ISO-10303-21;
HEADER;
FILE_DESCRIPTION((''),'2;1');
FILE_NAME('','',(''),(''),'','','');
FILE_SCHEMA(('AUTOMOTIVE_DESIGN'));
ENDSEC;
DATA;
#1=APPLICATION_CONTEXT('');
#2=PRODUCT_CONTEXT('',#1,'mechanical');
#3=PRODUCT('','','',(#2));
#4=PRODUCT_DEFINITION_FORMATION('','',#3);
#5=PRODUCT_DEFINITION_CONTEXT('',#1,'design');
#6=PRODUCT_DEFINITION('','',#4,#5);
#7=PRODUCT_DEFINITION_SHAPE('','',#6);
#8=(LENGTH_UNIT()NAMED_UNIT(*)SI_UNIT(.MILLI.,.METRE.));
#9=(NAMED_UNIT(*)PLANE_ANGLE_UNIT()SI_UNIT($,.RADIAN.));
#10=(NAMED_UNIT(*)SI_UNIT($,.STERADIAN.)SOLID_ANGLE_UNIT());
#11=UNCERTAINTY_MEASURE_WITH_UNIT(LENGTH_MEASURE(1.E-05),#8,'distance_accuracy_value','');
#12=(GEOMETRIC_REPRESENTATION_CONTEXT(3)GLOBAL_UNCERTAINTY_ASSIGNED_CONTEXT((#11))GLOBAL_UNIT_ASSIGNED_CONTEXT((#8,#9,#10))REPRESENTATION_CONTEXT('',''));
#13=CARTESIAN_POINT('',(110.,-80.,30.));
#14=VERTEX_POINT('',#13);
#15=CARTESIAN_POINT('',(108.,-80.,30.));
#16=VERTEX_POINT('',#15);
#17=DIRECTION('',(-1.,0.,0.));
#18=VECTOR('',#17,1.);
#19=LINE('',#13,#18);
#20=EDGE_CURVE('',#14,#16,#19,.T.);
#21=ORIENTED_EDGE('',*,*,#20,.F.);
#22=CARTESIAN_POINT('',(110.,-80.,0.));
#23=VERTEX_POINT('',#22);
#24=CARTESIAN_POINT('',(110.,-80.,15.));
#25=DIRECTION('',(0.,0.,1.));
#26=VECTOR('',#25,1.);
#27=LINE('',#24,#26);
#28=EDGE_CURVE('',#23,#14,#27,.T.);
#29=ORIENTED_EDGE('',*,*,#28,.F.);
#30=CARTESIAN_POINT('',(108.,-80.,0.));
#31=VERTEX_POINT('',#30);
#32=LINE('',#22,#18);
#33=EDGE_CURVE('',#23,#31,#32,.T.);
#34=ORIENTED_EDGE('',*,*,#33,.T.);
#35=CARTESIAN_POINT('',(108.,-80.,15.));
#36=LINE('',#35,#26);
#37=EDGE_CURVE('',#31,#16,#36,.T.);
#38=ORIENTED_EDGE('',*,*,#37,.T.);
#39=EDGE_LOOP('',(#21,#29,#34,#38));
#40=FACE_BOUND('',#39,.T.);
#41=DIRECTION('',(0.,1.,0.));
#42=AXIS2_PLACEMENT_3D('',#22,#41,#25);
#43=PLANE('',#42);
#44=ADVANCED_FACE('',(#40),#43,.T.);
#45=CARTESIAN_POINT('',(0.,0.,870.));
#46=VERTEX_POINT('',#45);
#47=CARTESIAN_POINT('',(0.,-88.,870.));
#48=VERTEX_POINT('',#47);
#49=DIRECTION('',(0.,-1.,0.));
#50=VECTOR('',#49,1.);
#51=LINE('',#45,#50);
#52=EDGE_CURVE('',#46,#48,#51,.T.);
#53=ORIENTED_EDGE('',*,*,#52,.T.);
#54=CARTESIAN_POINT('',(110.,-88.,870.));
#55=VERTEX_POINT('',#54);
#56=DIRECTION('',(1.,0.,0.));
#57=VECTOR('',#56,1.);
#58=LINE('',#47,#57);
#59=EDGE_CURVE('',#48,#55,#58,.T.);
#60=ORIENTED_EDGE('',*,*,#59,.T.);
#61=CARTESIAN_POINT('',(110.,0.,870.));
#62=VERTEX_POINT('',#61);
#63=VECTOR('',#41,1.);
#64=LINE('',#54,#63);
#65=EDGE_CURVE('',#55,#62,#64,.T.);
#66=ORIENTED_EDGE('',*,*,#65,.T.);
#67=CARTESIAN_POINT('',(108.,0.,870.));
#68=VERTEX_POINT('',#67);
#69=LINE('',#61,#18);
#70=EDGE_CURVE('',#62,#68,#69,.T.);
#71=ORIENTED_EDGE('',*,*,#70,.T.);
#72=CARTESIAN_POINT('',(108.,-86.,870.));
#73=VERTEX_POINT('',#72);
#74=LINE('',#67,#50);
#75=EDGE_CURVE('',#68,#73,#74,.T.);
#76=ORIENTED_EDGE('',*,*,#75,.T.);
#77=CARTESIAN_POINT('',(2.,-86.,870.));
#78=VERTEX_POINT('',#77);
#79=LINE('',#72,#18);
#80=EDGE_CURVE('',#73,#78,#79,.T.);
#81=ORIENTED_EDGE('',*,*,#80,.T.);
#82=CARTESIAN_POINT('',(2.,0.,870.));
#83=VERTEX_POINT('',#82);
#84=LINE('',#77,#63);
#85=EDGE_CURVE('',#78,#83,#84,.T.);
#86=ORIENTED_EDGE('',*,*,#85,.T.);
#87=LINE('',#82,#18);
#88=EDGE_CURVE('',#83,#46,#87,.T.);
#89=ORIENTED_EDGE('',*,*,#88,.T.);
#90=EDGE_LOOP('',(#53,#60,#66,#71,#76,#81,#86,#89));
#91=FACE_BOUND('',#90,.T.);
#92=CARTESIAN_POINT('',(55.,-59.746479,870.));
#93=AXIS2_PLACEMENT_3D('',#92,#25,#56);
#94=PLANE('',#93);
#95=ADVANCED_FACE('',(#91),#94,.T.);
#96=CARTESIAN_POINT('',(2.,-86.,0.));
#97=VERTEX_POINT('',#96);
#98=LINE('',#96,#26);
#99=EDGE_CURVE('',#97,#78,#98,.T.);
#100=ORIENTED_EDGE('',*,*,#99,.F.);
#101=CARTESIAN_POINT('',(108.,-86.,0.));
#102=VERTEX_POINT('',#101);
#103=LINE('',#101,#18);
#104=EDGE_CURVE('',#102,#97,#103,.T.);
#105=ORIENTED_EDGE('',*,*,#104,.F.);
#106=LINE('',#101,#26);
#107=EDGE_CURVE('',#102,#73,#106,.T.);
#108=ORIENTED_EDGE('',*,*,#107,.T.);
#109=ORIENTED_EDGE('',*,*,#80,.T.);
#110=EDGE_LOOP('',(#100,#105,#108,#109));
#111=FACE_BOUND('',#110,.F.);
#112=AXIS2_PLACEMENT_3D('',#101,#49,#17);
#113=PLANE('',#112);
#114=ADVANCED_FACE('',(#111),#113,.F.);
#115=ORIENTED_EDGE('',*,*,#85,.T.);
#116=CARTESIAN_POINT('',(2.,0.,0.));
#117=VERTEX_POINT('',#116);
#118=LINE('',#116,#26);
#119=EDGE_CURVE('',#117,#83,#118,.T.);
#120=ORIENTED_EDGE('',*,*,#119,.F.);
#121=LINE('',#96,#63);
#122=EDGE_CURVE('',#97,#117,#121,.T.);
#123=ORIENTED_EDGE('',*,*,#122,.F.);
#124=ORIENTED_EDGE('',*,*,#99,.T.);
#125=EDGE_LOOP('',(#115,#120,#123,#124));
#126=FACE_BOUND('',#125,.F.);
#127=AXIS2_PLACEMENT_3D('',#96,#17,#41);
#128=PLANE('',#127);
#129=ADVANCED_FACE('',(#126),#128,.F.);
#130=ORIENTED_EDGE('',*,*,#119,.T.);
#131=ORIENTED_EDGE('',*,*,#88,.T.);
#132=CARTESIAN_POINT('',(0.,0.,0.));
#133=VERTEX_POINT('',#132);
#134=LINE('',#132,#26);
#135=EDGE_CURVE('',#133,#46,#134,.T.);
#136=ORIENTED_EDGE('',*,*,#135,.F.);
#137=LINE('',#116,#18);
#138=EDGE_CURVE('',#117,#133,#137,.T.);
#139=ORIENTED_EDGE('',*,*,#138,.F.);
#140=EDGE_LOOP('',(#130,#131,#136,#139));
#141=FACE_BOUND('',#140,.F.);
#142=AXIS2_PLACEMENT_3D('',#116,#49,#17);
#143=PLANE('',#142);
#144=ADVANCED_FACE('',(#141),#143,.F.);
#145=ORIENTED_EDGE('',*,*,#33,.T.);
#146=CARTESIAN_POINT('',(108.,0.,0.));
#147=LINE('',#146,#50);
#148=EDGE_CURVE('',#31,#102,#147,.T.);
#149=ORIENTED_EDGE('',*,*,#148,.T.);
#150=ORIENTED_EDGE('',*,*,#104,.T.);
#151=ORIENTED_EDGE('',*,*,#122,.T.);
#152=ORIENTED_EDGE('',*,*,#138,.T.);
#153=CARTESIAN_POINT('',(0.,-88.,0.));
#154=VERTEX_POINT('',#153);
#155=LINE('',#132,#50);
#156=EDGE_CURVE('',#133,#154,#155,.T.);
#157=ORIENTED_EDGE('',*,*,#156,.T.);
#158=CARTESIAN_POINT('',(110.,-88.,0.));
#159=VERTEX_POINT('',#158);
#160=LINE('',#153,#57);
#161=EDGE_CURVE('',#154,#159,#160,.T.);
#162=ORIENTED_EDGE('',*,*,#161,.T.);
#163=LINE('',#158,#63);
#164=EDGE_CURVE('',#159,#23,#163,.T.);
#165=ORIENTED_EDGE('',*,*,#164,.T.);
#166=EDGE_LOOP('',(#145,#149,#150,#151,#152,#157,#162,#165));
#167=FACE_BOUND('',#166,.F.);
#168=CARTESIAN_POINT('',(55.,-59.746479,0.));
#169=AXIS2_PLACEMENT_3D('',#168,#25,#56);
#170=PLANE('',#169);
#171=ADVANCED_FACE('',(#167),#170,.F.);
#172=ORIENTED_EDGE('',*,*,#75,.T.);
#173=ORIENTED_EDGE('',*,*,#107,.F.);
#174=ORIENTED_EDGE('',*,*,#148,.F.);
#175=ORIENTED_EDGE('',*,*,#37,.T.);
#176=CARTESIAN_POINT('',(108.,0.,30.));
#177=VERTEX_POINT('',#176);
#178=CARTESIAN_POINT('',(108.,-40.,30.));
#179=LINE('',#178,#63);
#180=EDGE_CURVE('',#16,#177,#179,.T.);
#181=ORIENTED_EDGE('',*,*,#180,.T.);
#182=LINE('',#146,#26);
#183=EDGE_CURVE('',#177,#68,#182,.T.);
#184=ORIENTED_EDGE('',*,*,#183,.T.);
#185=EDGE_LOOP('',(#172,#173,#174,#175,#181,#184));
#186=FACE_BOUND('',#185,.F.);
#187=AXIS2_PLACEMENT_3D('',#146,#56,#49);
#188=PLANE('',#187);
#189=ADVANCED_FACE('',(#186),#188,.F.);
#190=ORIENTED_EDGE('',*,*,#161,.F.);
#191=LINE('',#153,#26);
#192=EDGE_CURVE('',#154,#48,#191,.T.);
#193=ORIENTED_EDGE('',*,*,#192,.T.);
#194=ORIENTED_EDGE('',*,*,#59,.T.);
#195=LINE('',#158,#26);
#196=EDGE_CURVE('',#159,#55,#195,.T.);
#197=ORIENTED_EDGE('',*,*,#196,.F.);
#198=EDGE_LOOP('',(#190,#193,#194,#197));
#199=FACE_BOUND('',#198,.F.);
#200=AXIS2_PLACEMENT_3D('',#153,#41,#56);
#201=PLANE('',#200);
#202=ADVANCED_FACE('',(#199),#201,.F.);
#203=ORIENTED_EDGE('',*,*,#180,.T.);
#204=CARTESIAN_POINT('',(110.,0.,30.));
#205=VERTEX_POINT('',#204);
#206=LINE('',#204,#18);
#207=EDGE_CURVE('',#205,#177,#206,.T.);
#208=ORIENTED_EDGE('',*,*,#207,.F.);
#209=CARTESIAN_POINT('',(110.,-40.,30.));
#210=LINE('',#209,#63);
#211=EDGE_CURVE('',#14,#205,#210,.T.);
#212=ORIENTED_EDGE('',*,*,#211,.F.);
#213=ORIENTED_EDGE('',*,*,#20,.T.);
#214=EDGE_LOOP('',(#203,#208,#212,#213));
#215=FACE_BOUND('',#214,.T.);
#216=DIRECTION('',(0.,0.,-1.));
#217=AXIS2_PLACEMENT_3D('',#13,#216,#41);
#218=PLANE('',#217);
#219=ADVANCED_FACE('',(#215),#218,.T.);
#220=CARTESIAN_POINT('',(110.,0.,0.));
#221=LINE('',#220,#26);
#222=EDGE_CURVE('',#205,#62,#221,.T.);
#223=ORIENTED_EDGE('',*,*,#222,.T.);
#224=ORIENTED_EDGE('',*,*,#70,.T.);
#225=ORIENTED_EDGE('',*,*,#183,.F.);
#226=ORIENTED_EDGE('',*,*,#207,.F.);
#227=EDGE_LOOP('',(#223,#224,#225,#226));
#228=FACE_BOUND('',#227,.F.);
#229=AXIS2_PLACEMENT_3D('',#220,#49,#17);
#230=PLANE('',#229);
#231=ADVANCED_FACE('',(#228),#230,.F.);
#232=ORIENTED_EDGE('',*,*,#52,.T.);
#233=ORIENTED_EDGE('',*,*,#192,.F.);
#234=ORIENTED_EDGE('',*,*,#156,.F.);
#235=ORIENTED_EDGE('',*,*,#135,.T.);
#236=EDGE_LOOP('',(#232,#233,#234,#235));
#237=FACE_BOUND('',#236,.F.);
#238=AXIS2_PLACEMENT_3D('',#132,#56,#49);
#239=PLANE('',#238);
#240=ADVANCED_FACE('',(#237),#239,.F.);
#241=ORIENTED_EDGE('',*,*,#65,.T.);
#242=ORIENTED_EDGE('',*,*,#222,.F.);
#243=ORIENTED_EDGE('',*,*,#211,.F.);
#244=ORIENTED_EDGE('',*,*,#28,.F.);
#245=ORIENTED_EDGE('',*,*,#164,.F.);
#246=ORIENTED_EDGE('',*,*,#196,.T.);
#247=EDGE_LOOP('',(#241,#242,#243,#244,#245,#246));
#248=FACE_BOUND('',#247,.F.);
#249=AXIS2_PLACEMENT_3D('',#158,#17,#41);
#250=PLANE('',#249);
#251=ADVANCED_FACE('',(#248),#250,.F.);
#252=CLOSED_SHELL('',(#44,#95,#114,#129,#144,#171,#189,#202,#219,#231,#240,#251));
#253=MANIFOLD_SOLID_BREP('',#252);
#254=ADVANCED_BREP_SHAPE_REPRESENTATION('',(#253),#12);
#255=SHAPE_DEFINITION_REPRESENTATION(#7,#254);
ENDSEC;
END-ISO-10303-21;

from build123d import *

# Parameters (mm, degrees)
F1_DEPTH = 870
F2_W     = 80
F2_H     = 30
F3_DEPTH = 2


with BuildPart() as f1:
    # F0 (on Top) → F1 (new body)
    with BuildSketch(Plane.XY):
        Polygon((2, 0), (0, 0), (0, -88), (110, -88), (110, 0), (108, 0), (108, -86), (2, -86), align=None)
    extrude(amount=F1_DEPTH)

    # F2 (on face) → F3 (cut, through all)
    with BuildSketch(Plane.YZ.offset(110)):
        with Locations((-40, 15)):
            Rectangle(F2_W, F2_H)
    extrude(amount=-F3_DEPTH, mode=Mode.SUBTRACT)


solid = f1.part
